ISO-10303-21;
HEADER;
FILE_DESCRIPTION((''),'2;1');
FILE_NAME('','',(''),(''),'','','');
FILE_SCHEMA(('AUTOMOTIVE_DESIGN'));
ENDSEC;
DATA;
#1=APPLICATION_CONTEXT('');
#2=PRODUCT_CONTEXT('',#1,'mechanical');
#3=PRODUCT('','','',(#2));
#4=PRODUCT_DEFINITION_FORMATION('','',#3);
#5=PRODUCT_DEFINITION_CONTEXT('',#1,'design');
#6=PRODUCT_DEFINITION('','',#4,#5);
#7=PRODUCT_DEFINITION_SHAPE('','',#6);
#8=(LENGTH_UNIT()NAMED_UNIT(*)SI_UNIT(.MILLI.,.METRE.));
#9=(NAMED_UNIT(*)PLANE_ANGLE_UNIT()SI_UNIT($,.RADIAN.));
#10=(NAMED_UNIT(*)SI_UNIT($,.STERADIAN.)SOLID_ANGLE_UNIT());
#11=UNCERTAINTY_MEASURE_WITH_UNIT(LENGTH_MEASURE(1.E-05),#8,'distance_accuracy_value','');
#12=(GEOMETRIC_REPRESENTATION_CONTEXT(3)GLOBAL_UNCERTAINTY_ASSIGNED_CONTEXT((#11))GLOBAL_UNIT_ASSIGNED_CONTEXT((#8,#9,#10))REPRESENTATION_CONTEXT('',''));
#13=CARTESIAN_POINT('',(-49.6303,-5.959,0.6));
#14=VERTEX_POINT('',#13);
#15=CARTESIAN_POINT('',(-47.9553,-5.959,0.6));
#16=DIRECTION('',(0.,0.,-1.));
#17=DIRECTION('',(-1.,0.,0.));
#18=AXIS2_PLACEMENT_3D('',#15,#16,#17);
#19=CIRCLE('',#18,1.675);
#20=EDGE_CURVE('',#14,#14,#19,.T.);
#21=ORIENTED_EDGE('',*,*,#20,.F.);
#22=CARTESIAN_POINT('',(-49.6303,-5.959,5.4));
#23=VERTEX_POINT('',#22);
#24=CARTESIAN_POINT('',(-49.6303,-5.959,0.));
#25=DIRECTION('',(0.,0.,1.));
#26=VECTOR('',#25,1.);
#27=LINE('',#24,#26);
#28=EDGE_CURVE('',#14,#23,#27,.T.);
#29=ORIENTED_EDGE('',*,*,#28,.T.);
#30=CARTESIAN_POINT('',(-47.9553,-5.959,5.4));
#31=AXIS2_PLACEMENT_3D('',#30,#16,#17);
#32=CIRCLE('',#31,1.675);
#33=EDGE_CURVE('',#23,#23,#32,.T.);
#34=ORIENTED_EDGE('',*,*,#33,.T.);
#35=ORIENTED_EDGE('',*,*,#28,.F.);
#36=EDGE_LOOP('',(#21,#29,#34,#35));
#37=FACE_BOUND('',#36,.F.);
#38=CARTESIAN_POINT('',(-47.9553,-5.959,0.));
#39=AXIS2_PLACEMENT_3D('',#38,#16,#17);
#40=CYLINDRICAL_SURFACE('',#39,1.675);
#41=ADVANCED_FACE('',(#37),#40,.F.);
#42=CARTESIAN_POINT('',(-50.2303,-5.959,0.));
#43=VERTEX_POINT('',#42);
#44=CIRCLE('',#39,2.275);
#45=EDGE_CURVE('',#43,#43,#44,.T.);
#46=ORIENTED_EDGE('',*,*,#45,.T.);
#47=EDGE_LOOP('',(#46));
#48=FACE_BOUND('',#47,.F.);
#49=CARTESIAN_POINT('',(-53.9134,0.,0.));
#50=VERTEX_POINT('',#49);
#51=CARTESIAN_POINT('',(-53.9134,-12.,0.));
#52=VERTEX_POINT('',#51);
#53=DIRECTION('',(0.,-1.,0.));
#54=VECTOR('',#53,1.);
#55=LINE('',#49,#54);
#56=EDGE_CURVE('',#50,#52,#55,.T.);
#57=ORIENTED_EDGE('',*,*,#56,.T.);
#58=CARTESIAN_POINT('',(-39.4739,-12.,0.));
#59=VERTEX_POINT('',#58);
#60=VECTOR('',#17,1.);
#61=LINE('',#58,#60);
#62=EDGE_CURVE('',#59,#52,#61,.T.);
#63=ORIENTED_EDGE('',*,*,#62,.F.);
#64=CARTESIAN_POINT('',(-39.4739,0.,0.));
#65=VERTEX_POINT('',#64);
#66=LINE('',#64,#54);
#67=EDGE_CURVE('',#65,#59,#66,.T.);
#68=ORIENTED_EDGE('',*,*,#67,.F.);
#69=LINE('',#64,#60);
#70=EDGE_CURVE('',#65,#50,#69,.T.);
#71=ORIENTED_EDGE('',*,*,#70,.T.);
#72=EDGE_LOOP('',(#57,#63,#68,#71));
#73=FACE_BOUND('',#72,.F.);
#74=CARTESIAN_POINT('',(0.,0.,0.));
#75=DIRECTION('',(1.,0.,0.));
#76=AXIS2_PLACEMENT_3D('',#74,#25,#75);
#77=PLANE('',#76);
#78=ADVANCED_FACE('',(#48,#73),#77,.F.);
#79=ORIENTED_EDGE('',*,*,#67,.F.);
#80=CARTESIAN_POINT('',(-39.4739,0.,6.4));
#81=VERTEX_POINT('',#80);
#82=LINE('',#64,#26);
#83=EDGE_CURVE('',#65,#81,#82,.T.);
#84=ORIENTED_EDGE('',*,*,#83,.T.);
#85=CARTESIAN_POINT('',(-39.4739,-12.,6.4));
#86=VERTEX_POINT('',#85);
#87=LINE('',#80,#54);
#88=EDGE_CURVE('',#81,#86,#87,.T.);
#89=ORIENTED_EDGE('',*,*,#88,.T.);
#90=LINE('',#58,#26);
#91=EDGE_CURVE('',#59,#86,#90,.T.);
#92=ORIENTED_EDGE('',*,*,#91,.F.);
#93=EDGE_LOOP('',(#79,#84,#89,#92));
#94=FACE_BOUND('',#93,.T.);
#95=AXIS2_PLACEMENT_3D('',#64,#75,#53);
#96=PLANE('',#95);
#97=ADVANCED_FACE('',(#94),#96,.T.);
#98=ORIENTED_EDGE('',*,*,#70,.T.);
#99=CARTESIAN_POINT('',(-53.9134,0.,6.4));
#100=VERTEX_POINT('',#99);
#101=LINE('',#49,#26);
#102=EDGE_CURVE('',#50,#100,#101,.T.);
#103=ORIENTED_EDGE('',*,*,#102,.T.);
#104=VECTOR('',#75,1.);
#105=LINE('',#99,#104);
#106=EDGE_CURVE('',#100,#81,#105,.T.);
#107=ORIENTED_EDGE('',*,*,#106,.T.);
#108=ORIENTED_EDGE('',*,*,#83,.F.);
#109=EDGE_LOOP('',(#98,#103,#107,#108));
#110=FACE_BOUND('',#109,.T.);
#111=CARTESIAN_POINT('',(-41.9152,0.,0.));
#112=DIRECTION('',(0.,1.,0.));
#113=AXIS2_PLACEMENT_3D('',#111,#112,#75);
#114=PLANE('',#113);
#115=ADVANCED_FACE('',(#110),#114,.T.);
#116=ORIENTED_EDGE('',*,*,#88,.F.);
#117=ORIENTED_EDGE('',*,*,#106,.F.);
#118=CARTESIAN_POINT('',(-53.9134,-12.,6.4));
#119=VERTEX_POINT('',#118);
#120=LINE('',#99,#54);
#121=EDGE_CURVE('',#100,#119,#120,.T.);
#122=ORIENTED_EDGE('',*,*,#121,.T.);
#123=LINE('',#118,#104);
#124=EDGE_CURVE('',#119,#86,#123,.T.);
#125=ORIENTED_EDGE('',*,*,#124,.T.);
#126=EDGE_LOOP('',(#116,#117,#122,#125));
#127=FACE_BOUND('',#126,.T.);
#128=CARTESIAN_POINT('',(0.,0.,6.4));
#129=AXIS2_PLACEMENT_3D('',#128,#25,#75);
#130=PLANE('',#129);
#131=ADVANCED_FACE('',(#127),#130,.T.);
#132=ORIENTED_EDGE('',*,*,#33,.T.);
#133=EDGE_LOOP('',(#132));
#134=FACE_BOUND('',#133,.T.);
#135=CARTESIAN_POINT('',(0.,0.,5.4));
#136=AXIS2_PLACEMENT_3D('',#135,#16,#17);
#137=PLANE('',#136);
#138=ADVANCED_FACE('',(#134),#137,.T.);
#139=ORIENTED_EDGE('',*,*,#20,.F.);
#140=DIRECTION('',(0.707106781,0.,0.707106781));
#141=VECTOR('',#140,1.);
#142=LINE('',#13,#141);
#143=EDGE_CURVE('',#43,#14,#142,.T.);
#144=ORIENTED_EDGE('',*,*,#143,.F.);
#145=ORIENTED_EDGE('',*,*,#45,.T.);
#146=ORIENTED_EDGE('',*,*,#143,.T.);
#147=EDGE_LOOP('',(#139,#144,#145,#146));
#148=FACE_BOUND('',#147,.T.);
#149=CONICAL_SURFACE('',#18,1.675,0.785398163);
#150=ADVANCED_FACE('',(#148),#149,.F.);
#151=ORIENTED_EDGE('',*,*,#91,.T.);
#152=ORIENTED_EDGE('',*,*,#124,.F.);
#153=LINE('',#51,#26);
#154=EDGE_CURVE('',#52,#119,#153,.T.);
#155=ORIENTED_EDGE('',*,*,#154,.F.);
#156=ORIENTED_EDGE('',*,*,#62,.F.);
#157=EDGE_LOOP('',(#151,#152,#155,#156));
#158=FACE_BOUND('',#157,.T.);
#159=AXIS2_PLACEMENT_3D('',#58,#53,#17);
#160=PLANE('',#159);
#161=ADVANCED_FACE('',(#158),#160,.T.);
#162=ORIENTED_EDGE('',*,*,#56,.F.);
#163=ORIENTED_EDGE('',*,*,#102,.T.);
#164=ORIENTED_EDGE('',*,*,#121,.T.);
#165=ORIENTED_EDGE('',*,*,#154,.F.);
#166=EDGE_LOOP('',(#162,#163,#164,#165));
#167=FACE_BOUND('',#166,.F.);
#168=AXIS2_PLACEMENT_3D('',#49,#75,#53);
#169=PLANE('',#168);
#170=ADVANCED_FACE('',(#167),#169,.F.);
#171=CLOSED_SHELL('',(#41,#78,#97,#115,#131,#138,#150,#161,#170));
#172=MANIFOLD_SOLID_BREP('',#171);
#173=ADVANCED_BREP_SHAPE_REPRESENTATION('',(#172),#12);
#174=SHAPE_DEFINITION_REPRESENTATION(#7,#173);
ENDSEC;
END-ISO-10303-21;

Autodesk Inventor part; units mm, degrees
ref_plane "YZ Plane" through (0, 0, 0) normal (1, 0, 0) x (0, 1, 0)
ref_plane "XZ Plane" through (0, 0, 0) normal (0, 1, 0) x (-1, 0, 0)
ref_plane "XY Plane" through (0, 0, 0) normal (0, 0, 1) x (1, 0, 0)
sketch "Skizze1" plane through (0, 0, 0) normal (0, 0, 1) x (1, 0, 0)
  line L0 (-41.9152, 0) -> (-41.9152, -12) projected
  line L1 (-53.9134, -12) -> (-41.9152, -12) projected
  line L2 (-53.9134, 0) -> (-53.9134, -12) projected
  line L3 (-41.9152, 0) -> (-53.9134, 0) projected
  line L4 (-39.4739, 0) -> (-39.4739, -12) projected
  line L5 (-41.9558, -12.0406) -> (-53.9549, -0.0415) construction
  line L6 (-53.9549, -11.9585) -> (-41.9558, 0.0406) construction
  circle A0 centre (-47.9553, -5.959) radius 1.675
  line L7 (-39.4739, -12) -> (-53.9134, -12)
  line L8 (-53.9134, -12) -> (-53.9134, 0)
  line L9 (-53.9134, 0) -> (-39.4739, 0)
  line L10 (-39.4739, 0) -> (-39.4739, -12)
  point P0 (0, 0)
  point P1 (-39.4739, 0)
  dimension "d0" = 3.35
extrude "Extrusion1" add sketch "Skizze1" along normal blind 6.4 contours L9 L4 L7 L0 | L0 L1 L2 L3 | A0
sketch "Skizze2" plane through (0, 0, 0) normal (0, 0, -1) x (-1, 0, 0)
  circle A0 centre (47.9553, -5.959) radius 1.675 projected
  point P0 (0, 0)
extrude "Extrusion2" cut sketch "Skizze2" against normal blind 5.4
chamfer "Fase1" distance 0.6 angle 45 1 edges at (-46.2803, -5.959, 0)
properties part number "13_Motor_Fixation_Thread_Mount"
